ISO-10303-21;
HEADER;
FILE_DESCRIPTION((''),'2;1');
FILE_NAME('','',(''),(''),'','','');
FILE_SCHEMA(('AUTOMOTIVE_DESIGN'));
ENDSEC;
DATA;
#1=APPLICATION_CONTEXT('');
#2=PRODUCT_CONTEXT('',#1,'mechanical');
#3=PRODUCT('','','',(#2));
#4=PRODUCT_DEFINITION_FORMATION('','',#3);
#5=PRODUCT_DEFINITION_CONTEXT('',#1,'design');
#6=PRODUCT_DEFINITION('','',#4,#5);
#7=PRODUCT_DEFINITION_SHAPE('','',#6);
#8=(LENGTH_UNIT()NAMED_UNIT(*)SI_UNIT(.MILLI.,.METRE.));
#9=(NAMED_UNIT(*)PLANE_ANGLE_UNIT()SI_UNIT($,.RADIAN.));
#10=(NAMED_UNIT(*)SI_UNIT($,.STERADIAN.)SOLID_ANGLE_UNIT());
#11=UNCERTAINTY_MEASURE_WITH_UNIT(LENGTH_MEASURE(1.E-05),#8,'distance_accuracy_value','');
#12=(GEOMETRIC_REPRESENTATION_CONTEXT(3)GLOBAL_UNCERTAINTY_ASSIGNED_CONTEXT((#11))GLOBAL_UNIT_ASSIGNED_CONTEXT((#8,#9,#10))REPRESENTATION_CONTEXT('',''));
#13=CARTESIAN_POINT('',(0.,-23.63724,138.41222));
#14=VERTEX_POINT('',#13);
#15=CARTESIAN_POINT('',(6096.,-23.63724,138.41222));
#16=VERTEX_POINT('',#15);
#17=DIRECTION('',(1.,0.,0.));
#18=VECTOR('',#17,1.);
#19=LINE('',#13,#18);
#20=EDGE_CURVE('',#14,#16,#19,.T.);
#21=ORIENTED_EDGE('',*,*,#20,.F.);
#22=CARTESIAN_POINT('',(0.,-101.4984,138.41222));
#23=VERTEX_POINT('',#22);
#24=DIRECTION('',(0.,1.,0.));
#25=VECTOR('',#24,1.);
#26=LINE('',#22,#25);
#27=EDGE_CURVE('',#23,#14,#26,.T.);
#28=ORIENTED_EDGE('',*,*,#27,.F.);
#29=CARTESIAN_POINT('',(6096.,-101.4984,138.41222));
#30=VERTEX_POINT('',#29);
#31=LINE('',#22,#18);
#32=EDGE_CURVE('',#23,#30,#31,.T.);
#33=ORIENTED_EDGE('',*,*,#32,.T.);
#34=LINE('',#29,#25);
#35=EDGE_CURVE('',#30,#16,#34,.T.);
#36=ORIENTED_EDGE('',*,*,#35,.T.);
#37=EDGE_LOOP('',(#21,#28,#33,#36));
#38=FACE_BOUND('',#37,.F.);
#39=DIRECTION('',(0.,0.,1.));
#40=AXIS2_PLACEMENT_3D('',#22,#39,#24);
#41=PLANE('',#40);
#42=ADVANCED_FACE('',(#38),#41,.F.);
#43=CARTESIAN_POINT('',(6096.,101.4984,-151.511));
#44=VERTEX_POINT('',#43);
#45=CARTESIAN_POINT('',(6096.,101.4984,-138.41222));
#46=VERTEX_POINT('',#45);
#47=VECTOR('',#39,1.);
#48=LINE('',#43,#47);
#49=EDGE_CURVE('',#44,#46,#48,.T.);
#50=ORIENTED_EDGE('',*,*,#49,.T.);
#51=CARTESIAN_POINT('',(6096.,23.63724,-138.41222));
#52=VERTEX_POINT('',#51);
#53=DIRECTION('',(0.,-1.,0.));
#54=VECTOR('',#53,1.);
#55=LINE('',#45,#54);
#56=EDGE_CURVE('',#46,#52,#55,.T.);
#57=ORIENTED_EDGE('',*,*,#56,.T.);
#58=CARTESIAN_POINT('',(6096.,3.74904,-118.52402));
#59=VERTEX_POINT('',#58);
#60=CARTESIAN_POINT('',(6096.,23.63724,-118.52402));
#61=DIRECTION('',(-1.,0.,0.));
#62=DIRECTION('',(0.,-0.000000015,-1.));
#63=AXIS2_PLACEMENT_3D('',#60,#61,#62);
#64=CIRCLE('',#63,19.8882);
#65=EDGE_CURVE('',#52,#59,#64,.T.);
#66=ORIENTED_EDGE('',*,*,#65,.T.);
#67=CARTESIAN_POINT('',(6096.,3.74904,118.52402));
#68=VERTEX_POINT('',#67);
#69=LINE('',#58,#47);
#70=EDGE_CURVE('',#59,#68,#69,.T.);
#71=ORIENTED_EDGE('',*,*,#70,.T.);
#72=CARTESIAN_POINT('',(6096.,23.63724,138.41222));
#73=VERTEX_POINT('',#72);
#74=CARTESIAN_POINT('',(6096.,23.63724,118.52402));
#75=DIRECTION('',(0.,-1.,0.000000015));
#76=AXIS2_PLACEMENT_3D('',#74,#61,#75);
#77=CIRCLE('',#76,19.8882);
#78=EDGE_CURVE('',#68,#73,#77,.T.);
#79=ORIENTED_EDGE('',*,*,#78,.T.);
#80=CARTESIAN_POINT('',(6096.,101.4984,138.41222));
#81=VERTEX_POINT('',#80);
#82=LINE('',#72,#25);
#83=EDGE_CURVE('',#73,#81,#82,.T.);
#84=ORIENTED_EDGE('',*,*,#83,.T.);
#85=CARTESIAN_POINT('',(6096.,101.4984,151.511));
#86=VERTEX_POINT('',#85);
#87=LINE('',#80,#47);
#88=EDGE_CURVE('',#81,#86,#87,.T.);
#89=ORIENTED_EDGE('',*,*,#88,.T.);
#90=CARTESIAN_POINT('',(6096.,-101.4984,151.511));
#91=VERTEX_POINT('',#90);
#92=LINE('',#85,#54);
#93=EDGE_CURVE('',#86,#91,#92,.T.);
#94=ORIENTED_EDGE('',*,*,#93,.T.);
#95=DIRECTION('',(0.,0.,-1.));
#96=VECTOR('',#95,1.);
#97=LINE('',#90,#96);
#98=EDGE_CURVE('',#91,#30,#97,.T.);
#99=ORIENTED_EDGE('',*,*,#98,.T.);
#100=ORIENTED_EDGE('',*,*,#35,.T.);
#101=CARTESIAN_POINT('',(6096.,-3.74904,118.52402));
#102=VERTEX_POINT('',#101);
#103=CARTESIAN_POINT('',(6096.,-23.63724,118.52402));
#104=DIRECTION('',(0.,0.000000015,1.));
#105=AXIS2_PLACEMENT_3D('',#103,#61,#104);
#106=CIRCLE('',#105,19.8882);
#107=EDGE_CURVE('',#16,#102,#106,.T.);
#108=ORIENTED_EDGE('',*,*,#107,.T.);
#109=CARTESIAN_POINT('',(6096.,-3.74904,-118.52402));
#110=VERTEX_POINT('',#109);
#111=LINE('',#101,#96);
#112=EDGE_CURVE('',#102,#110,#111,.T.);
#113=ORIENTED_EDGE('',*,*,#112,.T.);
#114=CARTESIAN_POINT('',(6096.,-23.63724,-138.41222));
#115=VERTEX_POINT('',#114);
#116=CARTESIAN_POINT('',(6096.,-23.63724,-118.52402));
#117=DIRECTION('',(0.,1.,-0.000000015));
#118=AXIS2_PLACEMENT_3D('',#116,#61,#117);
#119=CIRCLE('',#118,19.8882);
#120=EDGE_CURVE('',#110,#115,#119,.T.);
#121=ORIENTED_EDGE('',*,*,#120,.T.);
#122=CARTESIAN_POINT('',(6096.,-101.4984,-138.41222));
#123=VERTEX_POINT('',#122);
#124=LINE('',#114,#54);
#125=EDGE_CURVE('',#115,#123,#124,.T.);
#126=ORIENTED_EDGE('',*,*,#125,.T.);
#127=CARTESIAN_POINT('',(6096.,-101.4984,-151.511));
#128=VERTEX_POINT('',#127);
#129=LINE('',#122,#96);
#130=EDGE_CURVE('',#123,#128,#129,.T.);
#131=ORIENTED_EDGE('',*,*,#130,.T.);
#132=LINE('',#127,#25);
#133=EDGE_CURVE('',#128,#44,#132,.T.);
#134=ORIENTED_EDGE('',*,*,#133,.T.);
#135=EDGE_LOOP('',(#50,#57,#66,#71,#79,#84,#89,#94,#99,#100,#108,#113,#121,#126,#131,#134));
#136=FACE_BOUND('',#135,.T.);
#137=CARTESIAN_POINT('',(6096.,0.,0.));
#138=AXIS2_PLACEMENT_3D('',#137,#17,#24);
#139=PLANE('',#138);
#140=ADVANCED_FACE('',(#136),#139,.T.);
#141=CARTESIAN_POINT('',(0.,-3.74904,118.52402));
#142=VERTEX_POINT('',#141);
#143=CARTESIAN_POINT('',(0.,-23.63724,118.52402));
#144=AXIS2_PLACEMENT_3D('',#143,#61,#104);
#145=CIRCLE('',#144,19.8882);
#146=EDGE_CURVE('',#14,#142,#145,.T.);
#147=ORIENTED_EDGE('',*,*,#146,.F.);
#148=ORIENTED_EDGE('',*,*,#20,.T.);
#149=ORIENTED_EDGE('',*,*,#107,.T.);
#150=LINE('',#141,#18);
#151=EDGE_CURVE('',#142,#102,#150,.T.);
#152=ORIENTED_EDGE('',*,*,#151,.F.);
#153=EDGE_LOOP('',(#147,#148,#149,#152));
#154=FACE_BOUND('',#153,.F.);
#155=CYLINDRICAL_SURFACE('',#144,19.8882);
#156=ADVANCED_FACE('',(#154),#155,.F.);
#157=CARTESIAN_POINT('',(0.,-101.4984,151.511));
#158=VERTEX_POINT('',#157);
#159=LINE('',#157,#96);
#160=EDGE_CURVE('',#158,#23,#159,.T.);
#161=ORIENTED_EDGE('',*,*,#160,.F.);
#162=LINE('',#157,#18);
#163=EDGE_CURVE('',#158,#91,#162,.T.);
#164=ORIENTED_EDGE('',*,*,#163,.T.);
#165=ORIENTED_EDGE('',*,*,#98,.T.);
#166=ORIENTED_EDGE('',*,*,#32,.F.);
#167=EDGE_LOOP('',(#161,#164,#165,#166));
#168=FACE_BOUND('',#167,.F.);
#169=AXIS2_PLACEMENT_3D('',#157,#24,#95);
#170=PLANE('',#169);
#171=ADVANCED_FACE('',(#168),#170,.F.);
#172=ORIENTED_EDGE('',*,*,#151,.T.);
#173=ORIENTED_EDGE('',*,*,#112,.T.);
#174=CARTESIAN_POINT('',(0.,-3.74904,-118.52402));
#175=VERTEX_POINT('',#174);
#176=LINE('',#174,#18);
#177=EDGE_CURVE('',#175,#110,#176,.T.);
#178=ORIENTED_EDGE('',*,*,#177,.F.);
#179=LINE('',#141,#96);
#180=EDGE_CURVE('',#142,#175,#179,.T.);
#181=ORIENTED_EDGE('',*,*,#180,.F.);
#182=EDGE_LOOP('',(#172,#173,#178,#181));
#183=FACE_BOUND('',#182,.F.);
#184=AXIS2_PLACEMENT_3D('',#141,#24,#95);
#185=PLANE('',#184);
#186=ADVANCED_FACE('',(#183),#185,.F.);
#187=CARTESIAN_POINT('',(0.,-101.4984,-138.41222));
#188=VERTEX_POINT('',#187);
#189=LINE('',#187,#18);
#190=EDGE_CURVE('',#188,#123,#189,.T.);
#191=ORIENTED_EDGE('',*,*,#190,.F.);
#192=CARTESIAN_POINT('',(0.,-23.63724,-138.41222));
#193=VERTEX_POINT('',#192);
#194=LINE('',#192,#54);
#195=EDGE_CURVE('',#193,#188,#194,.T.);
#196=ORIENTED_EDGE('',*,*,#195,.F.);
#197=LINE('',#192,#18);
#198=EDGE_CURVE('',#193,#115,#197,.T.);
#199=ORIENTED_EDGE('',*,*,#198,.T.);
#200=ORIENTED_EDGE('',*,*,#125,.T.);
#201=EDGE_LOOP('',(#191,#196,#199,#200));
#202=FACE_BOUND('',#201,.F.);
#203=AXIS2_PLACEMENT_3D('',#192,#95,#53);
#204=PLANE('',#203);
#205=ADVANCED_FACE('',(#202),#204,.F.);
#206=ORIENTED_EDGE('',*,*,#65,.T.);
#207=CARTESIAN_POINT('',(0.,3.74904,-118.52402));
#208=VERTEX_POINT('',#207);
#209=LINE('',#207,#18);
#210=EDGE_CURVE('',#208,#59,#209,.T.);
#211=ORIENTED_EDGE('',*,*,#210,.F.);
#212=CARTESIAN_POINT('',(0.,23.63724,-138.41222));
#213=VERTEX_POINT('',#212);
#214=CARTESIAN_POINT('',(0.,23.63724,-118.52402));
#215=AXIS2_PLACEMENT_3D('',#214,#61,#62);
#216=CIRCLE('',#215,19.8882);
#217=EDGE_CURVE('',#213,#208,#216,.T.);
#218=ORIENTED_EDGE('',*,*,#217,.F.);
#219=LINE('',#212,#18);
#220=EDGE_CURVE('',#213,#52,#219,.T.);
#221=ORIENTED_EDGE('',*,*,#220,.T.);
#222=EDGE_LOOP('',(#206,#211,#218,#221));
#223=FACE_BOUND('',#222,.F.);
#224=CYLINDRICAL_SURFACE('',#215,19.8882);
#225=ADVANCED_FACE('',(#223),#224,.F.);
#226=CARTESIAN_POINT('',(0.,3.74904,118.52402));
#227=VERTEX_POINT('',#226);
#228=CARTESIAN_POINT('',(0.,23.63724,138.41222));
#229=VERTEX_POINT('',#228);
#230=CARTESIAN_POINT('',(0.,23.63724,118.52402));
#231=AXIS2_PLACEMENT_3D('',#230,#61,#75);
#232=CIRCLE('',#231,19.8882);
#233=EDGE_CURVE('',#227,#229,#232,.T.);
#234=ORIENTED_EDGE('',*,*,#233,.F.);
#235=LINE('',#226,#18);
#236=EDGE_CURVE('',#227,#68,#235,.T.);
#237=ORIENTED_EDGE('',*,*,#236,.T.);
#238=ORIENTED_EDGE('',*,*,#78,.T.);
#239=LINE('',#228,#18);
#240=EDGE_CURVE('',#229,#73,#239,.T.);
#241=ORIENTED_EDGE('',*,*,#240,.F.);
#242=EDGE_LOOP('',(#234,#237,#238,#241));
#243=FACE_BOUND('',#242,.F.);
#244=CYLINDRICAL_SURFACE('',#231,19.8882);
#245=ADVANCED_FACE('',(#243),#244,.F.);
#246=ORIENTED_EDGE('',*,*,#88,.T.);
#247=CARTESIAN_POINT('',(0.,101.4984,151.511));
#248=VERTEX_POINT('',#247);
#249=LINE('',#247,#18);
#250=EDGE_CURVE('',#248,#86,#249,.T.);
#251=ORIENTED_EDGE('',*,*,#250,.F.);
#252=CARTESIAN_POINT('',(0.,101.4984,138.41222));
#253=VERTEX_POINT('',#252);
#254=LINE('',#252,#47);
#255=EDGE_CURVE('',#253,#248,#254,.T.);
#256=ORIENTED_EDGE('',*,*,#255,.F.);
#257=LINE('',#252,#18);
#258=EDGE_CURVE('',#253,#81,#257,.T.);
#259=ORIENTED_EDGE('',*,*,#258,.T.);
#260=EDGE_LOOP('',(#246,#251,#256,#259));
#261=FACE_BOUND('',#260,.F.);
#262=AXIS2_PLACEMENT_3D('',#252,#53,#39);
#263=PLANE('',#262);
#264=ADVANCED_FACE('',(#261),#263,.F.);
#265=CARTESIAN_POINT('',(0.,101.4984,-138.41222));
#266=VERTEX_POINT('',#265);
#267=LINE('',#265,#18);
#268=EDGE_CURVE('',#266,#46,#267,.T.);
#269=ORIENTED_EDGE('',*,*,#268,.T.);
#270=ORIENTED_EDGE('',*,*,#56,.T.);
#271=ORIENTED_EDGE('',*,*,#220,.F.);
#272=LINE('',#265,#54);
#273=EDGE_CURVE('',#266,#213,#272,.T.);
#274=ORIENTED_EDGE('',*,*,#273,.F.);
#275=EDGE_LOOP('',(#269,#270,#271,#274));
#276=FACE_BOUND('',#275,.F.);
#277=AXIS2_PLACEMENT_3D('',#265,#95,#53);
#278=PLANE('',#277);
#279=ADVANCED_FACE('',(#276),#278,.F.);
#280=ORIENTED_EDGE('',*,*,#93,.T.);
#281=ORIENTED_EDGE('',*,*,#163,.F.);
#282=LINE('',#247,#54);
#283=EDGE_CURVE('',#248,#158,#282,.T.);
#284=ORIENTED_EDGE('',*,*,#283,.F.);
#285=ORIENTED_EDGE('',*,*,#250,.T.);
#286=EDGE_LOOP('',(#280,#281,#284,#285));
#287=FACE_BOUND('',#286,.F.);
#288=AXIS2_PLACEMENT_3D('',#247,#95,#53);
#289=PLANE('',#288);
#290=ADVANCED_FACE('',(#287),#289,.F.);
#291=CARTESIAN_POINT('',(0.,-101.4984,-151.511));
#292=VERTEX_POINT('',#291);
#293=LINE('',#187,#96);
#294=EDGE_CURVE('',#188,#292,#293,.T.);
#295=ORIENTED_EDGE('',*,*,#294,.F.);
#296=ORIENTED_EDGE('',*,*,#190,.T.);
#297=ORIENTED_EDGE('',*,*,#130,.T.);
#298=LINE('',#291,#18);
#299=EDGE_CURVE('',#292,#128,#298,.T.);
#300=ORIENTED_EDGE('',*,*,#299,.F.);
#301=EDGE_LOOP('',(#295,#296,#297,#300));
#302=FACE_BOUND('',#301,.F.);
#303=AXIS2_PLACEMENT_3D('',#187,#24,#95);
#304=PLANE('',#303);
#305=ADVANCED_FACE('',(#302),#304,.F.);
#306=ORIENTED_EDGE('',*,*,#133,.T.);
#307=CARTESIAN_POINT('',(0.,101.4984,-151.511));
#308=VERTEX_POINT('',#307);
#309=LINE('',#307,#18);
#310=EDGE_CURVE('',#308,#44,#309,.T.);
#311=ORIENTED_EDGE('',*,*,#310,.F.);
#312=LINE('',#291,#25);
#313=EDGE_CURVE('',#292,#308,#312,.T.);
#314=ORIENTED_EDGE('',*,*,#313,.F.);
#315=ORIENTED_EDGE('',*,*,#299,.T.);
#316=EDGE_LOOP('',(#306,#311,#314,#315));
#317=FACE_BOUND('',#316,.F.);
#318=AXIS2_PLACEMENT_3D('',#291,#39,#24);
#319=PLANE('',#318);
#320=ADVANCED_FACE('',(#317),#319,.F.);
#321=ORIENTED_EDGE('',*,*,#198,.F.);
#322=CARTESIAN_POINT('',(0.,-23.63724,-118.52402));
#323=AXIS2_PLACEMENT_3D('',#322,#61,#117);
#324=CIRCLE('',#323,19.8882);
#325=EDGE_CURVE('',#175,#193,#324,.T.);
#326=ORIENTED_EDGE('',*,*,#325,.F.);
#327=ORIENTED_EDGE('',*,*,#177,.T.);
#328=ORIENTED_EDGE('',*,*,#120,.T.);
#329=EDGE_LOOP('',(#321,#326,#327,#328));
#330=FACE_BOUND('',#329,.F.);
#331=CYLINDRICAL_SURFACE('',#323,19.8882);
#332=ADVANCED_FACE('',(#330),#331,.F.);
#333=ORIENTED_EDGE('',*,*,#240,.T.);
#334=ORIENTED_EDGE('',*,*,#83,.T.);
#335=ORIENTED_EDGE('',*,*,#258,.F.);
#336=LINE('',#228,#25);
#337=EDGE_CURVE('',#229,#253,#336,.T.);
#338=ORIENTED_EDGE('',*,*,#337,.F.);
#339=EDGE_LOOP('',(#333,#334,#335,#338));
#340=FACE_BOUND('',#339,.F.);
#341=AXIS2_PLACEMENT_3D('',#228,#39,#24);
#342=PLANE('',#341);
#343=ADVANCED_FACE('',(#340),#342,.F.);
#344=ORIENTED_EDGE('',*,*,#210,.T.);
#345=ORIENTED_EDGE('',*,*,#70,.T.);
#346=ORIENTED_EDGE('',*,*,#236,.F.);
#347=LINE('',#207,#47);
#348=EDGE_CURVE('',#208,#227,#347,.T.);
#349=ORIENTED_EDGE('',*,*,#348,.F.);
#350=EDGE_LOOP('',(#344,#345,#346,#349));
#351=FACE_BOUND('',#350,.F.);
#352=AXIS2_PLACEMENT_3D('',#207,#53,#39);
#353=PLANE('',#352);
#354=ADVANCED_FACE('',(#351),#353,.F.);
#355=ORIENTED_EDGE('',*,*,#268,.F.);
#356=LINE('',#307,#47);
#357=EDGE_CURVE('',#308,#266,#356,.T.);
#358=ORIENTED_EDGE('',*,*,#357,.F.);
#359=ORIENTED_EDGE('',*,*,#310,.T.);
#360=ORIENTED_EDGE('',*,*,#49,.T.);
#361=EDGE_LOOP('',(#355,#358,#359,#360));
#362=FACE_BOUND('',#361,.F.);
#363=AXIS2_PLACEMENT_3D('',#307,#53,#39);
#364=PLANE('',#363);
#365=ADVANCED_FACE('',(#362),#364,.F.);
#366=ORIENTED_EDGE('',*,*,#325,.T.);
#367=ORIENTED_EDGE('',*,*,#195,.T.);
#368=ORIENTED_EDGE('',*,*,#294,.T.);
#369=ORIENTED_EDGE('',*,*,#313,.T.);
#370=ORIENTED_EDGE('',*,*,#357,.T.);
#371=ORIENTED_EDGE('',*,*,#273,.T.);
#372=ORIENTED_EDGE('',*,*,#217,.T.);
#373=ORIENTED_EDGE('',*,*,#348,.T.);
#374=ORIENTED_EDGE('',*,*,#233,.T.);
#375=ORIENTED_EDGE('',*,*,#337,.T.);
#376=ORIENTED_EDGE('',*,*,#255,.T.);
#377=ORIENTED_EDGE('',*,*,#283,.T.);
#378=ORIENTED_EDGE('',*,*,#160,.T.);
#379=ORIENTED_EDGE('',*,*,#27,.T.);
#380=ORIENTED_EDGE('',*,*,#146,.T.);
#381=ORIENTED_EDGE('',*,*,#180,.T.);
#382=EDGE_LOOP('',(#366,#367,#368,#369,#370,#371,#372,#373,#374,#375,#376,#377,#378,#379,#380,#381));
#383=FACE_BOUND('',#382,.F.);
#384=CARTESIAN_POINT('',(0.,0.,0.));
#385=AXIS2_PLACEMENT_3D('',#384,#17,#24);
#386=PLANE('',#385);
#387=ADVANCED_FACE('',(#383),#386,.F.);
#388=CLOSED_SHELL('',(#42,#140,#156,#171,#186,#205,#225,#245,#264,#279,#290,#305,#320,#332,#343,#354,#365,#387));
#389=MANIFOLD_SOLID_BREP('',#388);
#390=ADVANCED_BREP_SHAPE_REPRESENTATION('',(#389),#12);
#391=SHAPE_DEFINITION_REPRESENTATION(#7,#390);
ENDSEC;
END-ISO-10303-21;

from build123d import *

# Parameters (mm, degrees)
F1_DEPTH = 6096


with BuildPart() as f1:
    # F0 (on Right) → F1 (new body)
    with BuildSketch(Plane.YZ):
        with BuildLine():
            Line((-3.74904, 118.52402), (-3.74904, 0))
            Line((-3.74904, 0), (-3.74904, -118.52402))
            ThreePointArc((-3.74904, -118.52402), (-9.574159, -132.587101), (-23.63724, -138.41222))
            Line((-23.63724, -138.41222), (-101.4984, -138.41222))
            Line((-101.4984, -138.41222), (-101.4984, -151.511))
            Line((-101.4984, -151.511), (0, -151.511))
            Line((0, -151.511), (101.4984, -151.511))
            Line((101.4984, -151.511), (101.4984, -138.41222))
            Line((101.4984, -138.41222), (23.63724, -138.41222))
            ThreePointArc((23.63724, -138.41222), (9.574159, -132.587101), (3.74904, -118.52402))
            Line((3.74904, -118.52402), (3.74904, 0))
            Line((3.74904, 0), (3.74904, 118.52402))
            ThreePointArc((3.74904, 118.52402), (9.574159, 132.587101), (23.63724, 138.41222))
            Line((23.63724, 138.41222), (101.4984, 138.41222))
            Line((101.4984, 138.41222), (101.4984, 151.511))
            Line((101.4984, 151.511), (0, 151.511))
            Line((0, 151.511), (-101.4984, 151.511))
            Line((-101.4984, 151.511), (-101.4984, 138.41222))
            Line((-101.4984, 138.41222), (-23.63724, 138.41222))
            ThreePointArc((-23.63724, 138.41222), (-9.574159, 132.587101), (-3.74904, 118.52402))
        make_face()
    extrude(amount=F1_DEPTH)


solid = f1.part
